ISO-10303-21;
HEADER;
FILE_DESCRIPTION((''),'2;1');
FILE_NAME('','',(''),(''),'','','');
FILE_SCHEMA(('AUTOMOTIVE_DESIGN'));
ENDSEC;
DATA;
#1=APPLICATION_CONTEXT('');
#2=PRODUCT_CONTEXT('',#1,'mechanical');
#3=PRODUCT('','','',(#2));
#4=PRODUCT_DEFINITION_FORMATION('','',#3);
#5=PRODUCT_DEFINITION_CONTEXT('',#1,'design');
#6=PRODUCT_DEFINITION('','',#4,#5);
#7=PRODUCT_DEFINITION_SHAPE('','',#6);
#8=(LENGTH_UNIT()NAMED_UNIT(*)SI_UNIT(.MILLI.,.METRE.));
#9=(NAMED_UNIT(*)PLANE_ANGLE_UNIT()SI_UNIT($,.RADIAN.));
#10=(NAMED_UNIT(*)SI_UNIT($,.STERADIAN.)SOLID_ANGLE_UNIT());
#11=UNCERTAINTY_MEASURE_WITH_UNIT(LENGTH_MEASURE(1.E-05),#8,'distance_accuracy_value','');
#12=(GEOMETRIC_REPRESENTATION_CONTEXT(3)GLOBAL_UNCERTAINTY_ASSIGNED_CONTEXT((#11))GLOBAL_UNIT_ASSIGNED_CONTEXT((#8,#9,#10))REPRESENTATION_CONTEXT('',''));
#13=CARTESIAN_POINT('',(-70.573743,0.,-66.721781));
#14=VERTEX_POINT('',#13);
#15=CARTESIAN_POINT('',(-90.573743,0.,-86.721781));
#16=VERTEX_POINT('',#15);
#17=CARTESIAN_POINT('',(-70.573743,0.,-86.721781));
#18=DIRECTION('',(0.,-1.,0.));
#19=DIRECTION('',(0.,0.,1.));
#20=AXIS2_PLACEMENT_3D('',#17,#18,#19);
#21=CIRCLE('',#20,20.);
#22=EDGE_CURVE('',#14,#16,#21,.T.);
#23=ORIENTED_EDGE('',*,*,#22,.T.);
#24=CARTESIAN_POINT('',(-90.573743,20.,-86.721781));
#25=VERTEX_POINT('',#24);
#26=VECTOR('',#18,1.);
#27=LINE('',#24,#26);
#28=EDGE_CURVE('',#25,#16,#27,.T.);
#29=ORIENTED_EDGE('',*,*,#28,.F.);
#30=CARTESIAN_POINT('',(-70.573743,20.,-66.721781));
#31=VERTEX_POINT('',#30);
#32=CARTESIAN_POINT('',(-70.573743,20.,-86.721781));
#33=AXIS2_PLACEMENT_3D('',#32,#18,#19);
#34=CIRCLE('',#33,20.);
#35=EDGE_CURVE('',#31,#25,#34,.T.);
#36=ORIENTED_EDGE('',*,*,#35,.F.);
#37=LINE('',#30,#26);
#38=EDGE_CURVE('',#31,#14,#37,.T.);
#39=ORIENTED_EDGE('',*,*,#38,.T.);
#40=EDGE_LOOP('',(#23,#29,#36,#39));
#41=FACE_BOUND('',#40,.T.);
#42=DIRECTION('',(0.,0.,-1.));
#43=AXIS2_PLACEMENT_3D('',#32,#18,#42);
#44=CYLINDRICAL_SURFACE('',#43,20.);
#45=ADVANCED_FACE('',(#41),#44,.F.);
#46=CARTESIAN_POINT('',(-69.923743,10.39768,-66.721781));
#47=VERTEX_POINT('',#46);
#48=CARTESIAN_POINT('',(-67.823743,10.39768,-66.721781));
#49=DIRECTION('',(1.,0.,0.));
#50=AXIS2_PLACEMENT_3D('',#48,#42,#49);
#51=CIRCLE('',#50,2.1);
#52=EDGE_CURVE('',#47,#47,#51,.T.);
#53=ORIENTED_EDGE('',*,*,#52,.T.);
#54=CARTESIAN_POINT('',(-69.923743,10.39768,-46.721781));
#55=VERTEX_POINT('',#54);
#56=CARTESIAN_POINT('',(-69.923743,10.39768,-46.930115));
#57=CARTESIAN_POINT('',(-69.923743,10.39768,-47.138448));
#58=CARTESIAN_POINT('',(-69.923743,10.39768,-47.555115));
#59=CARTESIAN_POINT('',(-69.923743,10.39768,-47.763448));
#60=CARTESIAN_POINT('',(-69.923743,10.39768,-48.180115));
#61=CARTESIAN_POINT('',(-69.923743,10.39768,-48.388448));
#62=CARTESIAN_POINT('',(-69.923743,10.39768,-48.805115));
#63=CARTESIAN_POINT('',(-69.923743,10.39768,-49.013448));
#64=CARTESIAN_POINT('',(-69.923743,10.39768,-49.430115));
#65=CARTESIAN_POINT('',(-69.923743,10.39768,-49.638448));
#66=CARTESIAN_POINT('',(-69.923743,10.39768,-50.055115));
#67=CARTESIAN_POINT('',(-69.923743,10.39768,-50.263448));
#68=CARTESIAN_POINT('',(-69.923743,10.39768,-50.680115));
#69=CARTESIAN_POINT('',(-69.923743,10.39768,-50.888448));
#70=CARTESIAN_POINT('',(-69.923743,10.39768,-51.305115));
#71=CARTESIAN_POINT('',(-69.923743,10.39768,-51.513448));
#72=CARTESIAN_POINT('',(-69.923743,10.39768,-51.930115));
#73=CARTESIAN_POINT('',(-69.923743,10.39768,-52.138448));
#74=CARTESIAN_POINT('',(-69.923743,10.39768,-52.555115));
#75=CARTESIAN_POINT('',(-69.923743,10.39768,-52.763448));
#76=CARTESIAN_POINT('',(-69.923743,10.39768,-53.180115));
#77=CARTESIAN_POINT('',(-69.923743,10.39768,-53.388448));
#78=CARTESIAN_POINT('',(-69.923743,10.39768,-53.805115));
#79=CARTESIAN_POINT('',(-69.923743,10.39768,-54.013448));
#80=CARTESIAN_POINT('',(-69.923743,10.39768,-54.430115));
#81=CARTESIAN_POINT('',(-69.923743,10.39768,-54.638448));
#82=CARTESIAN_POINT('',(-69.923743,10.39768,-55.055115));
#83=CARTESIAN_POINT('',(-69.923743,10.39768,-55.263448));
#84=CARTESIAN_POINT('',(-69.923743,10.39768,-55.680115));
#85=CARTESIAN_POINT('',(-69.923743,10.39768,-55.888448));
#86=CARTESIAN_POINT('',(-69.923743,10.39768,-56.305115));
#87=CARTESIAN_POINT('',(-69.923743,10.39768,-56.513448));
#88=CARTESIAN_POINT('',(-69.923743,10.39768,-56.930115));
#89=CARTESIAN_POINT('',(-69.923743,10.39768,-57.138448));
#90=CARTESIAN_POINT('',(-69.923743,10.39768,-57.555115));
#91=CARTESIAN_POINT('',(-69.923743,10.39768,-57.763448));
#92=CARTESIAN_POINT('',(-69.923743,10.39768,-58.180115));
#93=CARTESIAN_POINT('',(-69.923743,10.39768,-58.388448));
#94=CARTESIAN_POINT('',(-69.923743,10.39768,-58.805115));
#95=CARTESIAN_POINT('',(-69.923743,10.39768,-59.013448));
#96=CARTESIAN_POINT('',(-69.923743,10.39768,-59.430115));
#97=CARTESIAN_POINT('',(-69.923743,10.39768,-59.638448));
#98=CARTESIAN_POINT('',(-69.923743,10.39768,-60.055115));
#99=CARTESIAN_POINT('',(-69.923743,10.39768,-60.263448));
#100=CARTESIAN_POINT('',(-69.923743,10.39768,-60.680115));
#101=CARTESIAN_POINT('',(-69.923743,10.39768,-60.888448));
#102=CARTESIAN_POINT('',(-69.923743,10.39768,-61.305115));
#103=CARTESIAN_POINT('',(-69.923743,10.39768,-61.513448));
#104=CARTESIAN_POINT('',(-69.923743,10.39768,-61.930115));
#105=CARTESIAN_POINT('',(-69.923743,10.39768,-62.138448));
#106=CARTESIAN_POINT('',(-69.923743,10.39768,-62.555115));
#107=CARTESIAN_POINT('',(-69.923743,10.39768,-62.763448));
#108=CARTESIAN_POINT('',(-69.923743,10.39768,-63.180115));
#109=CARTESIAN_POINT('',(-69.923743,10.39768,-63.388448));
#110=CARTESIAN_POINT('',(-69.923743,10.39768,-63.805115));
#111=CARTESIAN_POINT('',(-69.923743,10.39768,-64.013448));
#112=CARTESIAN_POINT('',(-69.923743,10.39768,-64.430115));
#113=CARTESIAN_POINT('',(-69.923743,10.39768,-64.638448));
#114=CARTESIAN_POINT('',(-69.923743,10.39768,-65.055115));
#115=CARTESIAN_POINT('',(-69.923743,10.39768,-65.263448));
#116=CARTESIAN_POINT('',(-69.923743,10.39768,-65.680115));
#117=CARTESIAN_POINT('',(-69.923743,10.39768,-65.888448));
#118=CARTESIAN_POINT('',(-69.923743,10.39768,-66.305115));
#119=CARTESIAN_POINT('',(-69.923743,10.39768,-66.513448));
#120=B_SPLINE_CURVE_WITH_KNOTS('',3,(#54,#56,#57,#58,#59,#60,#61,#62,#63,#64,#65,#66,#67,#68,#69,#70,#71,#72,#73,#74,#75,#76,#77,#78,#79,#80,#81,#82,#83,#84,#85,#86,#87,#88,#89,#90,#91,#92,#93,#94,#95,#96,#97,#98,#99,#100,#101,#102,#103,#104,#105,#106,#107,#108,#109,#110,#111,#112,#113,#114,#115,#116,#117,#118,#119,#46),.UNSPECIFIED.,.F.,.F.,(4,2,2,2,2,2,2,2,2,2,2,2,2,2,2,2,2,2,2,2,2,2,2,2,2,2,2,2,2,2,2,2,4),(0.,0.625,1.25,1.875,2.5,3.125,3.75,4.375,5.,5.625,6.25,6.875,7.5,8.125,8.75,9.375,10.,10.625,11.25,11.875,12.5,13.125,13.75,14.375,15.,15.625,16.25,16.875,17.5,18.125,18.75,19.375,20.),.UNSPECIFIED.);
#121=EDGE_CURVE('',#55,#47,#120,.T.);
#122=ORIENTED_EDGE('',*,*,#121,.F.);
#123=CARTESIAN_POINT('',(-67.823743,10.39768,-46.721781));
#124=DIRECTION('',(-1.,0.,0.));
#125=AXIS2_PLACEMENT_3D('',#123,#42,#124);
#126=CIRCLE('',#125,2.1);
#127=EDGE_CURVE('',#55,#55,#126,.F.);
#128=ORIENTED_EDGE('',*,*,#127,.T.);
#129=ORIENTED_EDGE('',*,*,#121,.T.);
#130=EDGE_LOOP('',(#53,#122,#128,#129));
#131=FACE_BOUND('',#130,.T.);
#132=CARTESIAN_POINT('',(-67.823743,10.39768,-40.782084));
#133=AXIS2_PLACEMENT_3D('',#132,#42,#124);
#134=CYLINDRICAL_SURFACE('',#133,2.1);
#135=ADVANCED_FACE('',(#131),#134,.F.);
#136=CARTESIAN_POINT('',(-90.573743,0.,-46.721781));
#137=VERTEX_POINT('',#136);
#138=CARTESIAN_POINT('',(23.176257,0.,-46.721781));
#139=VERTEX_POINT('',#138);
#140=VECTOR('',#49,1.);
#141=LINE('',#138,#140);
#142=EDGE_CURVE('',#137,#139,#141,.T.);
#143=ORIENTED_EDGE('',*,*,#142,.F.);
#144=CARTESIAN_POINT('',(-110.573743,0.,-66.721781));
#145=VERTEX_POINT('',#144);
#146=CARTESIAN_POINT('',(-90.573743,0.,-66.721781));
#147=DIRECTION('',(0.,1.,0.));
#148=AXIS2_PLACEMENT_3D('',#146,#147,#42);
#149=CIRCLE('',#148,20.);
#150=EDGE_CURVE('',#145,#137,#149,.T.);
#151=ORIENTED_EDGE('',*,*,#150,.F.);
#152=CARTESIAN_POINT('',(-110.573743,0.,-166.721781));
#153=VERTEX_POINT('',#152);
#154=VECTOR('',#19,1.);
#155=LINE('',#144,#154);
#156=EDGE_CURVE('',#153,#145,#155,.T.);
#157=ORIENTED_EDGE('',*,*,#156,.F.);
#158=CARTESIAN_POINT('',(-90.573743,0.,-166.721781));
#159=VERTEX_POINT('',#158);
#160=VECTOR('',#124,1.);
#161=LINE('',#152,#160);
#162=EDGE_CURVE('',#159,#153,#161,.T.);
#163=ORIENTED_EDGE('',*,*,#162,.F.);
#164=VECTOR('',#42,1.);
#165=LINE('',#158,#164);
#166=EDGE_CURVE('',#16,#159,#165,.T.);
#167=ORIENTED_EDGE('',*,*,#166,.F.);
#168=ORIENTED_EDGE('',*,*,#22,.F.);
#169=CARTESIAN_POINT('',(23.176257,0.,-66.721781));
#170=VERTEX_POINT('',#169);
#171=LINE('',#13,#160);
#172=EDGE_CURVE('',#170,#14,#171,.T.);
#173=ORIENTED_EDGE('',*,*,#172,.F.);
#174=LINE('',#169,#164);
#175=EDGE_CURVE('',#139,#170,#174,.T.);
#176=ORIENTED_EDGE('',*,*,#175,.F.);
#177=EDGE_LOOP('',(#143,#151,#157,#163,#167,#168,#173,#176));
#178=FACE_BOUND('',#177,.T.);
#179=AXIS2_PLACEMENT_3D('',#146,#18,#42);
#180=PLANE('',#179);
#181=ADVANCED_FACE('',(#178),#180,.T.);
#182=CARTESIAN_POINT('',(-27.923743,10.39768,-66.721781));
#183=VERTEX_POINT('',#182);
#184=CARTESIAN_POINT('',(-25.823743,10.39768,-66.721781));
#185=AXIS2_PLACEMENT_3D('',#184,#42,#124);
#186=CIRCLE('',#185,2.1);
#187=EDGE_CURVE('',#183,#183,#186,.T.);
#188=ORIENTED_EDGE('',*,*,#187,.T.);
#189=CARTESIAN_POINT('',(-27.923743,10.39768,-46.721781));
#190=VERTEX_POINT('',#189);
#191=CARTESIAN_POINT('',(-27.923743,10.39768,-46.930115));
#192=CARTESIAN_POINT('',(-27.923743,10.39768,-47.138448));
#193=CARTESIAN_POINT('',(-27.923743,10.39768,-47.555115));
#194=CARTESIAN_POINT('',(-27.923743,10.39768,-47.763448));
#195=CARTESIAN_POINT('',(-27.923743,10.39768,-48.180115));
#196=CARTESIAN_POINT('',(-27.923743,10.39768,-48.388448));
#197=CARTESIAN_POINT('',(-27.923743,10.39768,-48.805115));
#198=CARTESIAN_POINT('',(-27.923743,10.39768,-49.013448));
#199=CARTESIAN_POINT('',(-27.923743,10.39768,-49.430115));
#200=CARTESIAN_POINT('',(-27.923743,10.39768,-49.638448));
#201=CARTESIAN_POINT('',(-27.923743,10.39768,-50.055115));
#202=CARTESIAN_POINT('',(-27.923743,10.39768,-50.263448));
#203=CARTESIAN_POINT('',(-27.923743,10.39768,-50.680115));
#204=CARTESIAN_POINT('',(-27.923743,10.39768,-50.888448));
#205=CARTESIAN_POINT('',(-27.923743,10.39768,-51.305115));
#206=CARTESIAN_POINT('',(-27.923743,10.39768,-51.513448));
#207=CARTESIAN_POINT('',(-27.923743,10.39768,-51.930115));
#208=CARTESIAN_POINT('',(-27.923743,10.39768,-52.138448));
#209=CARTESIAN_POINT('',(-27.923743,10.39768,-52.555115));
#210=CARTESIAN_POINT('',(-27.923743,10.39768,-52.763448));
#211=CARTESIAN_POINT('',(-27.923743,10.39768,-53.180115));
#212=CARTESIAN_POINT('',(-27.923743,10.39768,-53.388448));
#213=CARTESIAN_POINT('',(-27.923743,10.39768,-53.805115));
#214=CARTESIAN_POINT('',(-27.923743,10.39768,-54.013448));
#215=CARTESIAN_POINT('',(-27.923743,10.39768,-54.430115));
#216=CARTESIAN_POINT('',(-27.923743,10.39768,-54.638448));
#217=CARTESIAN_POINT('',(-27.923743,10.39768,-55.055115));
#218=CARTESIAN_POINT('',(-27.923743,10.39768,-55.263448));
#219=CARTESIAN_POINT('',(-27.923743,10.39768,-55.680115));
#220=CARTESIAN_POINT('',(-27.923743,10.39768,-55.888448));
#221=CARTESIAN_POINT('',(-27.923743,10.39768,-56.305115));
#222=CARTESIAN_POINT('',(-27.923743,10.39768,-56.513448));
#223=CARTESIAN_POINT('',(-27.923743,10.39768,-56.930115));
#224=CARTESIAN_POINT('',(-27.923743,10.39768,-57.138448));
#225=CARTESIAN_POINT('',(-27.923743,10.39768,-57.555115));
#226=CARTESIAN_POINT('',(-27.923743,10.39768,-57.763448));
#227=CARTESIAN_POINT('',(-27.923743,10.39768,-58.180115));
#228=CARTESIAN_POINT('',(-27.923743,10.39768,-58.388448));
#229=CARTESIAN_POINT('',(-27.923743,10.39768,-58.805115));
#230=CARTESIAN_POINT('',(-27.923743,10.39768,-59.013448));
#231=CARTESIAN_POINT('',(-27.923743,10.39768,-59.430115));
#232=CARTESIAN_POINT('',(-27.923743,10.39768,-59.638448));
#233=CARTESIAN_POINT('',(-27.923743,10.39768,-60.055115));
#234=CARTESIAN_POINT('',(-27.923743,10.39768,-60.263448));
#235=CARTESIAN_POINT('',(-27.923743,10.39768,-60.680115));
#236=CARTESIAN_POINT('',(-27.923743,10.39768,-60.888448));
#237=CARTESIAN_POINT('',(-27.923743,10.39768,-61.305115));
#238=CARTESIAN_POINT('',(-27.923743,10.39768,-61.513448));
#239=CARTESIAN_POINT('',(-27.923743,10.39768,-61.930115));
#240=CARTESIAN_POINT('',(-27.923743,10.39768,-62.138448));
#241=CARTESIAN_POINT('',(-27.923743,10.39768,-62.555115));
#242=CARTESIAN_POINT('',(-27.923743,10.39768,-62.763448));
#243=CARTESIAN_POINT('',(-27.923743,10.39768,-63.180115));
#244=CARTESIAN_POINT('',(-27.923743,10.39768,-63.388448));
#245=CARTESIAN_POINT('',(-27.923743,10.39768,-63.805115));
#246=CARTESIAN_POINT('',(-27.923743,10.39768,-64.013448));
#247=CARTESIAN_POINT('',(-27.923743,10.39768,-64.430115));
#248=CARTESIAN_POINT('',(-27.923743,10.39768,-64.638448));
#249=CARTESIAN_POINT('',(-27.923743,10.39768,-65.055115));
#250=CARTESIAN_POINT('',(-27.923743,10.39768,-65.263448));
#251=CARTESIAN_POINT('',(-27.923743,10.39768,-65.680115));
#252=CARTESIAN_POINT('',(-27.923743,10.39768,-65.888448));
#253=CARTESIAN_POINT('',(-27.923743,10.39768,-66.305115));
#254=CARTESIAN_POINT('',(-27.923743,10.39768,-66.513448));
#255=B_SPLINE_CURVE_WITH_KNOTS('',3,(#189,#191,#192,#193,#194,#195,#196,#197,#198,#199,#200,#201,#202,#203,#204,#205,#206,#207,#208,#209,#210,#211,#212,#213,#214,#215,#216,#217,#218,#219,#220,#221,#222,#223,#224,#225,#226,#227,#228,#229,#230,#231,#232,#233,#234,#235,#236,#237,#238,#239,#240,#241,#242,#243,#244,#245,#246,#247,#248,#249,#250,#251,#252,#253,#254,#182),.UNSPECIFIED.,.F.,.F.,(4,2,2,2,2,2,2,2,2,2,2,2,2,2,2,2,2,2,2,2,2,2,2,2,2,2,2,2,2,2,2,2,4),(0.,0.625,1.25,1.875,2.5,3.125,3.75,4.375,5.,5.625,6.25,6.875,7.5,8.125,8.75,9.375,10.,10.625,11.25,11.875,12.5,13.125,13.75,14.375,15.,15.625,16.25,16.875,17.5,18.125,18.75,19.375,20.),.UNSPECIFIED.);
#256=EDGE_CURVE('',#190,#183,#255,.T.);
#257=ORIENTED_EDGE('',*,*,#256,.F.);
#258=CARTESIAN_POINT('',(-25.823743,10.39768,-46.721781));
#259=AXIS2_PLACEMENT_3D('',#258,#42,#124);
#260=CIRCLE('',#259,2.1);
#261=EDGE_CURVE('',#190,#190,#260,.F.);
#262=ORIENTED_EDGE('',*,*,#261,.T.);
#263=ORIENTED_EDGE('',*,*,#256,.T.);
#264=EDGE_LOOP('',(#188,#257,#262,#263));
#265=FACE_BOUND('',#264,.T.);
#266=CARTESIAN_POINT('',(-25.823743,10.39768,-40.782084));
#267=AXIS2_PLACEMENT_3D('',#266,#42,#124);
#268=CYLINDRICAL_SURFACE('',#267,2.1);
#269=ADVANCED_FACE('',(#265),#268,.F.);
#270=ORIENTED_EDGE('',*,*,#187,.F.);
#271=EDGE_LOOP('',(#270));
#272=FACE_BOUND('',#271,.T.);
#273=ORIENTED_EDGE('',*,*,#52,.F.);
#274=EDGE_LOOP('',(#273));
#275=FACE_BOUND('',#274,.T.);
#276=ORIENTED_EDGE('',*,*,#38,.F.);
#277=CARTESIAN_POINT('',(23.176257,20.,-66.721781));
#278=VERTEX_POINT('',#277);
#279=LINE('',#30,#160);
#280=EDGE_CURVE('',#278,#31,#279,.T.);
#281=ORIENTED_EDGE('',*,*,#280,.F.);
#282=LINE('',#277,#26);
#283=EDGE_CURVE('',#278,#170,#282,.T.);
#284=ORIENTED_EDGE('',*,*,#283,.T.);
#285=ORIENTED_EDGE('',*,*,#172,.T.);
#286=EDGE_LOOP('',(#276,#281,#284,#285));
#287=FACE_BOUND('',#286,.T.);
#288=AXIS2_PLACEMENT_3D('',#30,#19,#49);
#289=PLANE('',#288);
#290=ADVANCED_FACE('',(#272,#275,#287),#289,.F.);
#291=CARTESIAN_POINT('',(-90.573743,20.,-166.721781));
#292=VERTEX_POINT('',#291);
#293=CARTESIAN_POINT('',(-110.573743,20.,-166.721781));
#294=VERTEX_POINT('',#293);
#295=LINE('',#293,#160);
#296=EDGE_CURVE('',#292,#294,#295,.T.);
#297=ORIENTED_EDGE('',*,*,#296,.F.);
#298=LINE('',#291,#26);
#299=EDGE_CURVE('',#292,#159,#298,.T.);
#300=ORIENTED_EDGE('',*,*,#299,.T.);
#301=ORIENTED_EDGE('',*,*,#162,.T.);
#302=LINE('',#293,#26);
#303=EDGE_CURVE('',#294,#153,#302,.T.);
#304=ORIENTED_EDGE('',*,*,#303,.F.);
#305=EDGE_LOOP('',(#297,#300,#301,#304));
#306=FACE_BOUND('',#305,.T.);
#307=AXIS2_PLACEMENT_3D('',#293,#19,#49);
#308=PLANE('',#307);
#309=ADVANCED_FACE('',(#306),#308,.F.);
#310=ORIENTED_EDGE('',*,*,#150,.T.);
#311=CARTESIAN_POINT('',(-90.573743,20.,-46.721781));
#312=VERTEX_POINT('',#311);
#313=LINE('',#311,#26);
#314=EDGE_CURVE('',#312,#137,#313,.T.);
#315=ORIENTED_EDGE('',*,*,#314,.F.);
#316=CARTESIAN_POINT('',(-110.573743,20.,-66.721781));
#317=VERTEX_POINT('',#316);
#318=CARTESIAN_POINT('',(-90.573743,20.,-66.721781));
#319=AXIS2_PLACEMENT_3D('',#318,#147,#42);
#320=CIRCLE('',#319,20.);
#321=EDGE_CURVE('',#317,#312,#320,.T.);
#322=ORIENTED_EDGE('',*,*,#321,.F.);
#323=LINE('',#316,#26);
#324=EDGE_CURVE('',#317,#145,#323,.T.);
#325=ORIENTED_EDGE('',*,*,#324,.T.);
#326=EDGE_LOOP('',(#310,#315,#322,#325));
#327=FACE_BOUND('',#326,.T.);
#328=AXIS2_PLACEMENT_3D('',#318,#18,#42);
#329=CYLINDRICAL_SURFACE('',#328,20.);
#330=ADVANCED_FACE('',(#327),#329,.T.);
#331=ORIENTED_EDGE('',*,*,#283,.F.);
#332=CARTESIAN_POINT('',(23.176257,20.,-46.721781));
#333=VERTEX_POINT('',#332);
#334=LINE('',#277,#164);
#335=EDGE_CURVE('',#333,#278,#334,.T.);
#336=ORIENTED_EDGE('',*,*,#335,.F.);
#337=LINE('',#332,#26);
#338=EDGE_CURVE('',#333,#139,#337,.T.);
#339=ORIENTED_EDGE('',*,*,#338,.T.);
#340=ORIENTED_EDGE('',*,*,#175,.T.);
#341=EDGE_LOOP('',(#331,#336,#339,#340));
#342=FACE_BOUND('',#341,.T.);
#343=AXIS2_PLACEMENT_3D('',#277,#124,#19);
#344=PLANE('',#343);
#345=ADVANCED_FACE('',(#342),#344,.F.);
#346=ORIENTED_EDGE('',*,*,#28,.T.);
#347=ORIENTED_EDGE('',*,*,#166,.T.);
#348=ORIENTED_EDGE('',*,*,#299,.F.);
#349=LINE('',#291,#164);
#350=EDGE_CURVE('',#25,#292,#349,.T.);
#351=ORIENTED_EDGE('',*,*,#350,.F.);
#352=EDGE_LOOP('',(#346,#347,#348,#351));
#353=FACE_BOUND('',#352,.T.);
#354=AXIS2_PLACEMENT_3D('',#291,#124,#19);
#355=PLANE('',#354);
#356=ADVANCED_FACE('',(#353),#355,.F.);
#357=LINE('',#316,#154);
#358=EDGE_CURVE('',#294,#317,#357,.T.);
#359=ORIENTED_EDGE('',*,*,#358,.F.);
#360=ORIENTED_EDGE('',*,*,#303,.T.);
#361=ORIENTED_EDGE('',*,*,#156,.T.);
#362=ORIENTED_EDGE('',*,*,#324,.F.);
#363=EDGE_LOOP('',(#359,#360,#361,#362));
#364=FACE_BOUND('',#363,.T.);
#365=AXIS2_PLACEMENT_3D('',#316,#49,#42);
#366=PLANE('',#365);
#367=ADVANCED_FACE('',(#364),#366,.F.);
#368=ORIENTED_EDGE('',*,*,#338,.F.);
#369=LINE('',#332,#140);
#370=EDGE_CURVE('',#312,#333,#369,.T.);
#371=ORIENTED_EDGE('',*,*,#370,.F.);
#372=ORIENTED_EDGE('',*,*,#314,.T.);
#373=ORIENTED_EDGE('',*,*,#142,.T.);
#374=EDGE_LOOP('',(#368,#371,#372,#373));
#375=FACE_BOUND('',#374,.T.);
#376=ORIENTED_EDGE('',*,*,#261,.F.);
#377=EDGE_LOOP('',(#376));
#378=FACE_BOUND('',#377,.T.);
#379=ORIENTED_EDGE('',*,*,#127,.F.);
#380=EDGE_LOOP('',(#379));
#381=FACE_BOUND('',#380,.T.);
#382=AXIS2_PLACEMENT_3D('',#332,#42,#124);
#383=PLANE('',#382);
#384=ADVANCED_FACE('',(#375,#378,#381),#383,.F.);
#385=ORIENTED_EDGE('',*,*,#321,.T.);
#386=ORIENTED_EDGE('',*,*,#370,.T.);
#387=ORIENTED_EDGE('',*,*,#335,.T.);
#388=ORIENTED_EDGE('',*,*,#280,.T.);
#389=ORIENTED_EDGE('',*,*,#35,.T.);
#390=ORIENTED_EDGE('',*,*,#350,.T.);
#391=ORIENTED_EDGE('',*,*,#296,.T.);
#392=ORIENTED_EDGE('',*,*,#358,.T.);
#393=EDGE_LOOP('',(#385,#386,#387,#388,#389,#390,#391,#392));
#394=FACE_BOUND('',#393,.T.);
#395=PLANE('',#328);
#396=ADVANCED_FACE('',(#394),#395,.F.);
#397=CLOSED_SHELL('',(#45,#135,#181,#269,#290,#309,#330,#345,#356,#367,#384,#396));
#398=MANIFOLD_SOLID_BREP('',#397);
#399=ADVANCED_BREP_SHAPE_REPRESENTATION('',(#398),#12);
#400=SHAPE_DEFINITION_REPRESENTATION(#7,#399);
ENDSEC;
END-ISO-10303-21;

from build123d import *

# Parameters (mm, degrees)
BOSS_EXTRUDE1_DEPTH = 20
SKETCH2_R           = 2.1
CUT_EXTRUDE3_DEPTH  = 20


with BuildPart() as part:
    # Sketch1 → Boss-Extrude1 (new body)
    with BuildSketch(Plane(origin=(0, 0, 0), x_dir=(1, 0, 0), z_dir=(0, 1, 0))):
        with BuildLine():
            Line((23.176256614, 46.721781305), (-90.573743386, 46.721781305))
            ThreePointArc((-90.573743386, 46.721781305), (-104.71587901, 52.579645681), (-110.573743386, 66.721781305))
            Line((-110.573743386, 66.721781305), (-110.573743386, 166.721781305))
            Line((-110.573743386, 166.721781305), (-90.573743386, 166.721781305))
            Line((-90.573743386, 166.721781305), (-90.573743386, 86.721781305))
            ThreePointArc((-90.573743386, 86.721781305), (-84.71587901, 72.579645681), (-70.573743386, 66.721781305))
            Line((-70.573743386, 66.721781305), (23.176256614, 66.721781305))
            Line((23.176256614, 66.721781305), (23.176256614, 46.721781305))
        make_face()
    extrude(amount=BOSS_EXTRUDE1_DEPTH)

    # Sketch2 → Cut-Extrude3 (cut)
    with BuildSketch(Plane(origin=(0, 0, -66.721781305), x_dir=(-1, 0, 0), z_dir=(0, 0, -1))):
        with Locations((25.823743386, 10.397679773)):
            Circle(SKETCH2_R)
        with Locations((67.823743386, 10.397679773)):
            Circle(SKETCH2_R)
    extrude(amount=-CUT_EXTRUDE3_DEPTH, mode=Mode.SUBTRACT)


solid = part.part
